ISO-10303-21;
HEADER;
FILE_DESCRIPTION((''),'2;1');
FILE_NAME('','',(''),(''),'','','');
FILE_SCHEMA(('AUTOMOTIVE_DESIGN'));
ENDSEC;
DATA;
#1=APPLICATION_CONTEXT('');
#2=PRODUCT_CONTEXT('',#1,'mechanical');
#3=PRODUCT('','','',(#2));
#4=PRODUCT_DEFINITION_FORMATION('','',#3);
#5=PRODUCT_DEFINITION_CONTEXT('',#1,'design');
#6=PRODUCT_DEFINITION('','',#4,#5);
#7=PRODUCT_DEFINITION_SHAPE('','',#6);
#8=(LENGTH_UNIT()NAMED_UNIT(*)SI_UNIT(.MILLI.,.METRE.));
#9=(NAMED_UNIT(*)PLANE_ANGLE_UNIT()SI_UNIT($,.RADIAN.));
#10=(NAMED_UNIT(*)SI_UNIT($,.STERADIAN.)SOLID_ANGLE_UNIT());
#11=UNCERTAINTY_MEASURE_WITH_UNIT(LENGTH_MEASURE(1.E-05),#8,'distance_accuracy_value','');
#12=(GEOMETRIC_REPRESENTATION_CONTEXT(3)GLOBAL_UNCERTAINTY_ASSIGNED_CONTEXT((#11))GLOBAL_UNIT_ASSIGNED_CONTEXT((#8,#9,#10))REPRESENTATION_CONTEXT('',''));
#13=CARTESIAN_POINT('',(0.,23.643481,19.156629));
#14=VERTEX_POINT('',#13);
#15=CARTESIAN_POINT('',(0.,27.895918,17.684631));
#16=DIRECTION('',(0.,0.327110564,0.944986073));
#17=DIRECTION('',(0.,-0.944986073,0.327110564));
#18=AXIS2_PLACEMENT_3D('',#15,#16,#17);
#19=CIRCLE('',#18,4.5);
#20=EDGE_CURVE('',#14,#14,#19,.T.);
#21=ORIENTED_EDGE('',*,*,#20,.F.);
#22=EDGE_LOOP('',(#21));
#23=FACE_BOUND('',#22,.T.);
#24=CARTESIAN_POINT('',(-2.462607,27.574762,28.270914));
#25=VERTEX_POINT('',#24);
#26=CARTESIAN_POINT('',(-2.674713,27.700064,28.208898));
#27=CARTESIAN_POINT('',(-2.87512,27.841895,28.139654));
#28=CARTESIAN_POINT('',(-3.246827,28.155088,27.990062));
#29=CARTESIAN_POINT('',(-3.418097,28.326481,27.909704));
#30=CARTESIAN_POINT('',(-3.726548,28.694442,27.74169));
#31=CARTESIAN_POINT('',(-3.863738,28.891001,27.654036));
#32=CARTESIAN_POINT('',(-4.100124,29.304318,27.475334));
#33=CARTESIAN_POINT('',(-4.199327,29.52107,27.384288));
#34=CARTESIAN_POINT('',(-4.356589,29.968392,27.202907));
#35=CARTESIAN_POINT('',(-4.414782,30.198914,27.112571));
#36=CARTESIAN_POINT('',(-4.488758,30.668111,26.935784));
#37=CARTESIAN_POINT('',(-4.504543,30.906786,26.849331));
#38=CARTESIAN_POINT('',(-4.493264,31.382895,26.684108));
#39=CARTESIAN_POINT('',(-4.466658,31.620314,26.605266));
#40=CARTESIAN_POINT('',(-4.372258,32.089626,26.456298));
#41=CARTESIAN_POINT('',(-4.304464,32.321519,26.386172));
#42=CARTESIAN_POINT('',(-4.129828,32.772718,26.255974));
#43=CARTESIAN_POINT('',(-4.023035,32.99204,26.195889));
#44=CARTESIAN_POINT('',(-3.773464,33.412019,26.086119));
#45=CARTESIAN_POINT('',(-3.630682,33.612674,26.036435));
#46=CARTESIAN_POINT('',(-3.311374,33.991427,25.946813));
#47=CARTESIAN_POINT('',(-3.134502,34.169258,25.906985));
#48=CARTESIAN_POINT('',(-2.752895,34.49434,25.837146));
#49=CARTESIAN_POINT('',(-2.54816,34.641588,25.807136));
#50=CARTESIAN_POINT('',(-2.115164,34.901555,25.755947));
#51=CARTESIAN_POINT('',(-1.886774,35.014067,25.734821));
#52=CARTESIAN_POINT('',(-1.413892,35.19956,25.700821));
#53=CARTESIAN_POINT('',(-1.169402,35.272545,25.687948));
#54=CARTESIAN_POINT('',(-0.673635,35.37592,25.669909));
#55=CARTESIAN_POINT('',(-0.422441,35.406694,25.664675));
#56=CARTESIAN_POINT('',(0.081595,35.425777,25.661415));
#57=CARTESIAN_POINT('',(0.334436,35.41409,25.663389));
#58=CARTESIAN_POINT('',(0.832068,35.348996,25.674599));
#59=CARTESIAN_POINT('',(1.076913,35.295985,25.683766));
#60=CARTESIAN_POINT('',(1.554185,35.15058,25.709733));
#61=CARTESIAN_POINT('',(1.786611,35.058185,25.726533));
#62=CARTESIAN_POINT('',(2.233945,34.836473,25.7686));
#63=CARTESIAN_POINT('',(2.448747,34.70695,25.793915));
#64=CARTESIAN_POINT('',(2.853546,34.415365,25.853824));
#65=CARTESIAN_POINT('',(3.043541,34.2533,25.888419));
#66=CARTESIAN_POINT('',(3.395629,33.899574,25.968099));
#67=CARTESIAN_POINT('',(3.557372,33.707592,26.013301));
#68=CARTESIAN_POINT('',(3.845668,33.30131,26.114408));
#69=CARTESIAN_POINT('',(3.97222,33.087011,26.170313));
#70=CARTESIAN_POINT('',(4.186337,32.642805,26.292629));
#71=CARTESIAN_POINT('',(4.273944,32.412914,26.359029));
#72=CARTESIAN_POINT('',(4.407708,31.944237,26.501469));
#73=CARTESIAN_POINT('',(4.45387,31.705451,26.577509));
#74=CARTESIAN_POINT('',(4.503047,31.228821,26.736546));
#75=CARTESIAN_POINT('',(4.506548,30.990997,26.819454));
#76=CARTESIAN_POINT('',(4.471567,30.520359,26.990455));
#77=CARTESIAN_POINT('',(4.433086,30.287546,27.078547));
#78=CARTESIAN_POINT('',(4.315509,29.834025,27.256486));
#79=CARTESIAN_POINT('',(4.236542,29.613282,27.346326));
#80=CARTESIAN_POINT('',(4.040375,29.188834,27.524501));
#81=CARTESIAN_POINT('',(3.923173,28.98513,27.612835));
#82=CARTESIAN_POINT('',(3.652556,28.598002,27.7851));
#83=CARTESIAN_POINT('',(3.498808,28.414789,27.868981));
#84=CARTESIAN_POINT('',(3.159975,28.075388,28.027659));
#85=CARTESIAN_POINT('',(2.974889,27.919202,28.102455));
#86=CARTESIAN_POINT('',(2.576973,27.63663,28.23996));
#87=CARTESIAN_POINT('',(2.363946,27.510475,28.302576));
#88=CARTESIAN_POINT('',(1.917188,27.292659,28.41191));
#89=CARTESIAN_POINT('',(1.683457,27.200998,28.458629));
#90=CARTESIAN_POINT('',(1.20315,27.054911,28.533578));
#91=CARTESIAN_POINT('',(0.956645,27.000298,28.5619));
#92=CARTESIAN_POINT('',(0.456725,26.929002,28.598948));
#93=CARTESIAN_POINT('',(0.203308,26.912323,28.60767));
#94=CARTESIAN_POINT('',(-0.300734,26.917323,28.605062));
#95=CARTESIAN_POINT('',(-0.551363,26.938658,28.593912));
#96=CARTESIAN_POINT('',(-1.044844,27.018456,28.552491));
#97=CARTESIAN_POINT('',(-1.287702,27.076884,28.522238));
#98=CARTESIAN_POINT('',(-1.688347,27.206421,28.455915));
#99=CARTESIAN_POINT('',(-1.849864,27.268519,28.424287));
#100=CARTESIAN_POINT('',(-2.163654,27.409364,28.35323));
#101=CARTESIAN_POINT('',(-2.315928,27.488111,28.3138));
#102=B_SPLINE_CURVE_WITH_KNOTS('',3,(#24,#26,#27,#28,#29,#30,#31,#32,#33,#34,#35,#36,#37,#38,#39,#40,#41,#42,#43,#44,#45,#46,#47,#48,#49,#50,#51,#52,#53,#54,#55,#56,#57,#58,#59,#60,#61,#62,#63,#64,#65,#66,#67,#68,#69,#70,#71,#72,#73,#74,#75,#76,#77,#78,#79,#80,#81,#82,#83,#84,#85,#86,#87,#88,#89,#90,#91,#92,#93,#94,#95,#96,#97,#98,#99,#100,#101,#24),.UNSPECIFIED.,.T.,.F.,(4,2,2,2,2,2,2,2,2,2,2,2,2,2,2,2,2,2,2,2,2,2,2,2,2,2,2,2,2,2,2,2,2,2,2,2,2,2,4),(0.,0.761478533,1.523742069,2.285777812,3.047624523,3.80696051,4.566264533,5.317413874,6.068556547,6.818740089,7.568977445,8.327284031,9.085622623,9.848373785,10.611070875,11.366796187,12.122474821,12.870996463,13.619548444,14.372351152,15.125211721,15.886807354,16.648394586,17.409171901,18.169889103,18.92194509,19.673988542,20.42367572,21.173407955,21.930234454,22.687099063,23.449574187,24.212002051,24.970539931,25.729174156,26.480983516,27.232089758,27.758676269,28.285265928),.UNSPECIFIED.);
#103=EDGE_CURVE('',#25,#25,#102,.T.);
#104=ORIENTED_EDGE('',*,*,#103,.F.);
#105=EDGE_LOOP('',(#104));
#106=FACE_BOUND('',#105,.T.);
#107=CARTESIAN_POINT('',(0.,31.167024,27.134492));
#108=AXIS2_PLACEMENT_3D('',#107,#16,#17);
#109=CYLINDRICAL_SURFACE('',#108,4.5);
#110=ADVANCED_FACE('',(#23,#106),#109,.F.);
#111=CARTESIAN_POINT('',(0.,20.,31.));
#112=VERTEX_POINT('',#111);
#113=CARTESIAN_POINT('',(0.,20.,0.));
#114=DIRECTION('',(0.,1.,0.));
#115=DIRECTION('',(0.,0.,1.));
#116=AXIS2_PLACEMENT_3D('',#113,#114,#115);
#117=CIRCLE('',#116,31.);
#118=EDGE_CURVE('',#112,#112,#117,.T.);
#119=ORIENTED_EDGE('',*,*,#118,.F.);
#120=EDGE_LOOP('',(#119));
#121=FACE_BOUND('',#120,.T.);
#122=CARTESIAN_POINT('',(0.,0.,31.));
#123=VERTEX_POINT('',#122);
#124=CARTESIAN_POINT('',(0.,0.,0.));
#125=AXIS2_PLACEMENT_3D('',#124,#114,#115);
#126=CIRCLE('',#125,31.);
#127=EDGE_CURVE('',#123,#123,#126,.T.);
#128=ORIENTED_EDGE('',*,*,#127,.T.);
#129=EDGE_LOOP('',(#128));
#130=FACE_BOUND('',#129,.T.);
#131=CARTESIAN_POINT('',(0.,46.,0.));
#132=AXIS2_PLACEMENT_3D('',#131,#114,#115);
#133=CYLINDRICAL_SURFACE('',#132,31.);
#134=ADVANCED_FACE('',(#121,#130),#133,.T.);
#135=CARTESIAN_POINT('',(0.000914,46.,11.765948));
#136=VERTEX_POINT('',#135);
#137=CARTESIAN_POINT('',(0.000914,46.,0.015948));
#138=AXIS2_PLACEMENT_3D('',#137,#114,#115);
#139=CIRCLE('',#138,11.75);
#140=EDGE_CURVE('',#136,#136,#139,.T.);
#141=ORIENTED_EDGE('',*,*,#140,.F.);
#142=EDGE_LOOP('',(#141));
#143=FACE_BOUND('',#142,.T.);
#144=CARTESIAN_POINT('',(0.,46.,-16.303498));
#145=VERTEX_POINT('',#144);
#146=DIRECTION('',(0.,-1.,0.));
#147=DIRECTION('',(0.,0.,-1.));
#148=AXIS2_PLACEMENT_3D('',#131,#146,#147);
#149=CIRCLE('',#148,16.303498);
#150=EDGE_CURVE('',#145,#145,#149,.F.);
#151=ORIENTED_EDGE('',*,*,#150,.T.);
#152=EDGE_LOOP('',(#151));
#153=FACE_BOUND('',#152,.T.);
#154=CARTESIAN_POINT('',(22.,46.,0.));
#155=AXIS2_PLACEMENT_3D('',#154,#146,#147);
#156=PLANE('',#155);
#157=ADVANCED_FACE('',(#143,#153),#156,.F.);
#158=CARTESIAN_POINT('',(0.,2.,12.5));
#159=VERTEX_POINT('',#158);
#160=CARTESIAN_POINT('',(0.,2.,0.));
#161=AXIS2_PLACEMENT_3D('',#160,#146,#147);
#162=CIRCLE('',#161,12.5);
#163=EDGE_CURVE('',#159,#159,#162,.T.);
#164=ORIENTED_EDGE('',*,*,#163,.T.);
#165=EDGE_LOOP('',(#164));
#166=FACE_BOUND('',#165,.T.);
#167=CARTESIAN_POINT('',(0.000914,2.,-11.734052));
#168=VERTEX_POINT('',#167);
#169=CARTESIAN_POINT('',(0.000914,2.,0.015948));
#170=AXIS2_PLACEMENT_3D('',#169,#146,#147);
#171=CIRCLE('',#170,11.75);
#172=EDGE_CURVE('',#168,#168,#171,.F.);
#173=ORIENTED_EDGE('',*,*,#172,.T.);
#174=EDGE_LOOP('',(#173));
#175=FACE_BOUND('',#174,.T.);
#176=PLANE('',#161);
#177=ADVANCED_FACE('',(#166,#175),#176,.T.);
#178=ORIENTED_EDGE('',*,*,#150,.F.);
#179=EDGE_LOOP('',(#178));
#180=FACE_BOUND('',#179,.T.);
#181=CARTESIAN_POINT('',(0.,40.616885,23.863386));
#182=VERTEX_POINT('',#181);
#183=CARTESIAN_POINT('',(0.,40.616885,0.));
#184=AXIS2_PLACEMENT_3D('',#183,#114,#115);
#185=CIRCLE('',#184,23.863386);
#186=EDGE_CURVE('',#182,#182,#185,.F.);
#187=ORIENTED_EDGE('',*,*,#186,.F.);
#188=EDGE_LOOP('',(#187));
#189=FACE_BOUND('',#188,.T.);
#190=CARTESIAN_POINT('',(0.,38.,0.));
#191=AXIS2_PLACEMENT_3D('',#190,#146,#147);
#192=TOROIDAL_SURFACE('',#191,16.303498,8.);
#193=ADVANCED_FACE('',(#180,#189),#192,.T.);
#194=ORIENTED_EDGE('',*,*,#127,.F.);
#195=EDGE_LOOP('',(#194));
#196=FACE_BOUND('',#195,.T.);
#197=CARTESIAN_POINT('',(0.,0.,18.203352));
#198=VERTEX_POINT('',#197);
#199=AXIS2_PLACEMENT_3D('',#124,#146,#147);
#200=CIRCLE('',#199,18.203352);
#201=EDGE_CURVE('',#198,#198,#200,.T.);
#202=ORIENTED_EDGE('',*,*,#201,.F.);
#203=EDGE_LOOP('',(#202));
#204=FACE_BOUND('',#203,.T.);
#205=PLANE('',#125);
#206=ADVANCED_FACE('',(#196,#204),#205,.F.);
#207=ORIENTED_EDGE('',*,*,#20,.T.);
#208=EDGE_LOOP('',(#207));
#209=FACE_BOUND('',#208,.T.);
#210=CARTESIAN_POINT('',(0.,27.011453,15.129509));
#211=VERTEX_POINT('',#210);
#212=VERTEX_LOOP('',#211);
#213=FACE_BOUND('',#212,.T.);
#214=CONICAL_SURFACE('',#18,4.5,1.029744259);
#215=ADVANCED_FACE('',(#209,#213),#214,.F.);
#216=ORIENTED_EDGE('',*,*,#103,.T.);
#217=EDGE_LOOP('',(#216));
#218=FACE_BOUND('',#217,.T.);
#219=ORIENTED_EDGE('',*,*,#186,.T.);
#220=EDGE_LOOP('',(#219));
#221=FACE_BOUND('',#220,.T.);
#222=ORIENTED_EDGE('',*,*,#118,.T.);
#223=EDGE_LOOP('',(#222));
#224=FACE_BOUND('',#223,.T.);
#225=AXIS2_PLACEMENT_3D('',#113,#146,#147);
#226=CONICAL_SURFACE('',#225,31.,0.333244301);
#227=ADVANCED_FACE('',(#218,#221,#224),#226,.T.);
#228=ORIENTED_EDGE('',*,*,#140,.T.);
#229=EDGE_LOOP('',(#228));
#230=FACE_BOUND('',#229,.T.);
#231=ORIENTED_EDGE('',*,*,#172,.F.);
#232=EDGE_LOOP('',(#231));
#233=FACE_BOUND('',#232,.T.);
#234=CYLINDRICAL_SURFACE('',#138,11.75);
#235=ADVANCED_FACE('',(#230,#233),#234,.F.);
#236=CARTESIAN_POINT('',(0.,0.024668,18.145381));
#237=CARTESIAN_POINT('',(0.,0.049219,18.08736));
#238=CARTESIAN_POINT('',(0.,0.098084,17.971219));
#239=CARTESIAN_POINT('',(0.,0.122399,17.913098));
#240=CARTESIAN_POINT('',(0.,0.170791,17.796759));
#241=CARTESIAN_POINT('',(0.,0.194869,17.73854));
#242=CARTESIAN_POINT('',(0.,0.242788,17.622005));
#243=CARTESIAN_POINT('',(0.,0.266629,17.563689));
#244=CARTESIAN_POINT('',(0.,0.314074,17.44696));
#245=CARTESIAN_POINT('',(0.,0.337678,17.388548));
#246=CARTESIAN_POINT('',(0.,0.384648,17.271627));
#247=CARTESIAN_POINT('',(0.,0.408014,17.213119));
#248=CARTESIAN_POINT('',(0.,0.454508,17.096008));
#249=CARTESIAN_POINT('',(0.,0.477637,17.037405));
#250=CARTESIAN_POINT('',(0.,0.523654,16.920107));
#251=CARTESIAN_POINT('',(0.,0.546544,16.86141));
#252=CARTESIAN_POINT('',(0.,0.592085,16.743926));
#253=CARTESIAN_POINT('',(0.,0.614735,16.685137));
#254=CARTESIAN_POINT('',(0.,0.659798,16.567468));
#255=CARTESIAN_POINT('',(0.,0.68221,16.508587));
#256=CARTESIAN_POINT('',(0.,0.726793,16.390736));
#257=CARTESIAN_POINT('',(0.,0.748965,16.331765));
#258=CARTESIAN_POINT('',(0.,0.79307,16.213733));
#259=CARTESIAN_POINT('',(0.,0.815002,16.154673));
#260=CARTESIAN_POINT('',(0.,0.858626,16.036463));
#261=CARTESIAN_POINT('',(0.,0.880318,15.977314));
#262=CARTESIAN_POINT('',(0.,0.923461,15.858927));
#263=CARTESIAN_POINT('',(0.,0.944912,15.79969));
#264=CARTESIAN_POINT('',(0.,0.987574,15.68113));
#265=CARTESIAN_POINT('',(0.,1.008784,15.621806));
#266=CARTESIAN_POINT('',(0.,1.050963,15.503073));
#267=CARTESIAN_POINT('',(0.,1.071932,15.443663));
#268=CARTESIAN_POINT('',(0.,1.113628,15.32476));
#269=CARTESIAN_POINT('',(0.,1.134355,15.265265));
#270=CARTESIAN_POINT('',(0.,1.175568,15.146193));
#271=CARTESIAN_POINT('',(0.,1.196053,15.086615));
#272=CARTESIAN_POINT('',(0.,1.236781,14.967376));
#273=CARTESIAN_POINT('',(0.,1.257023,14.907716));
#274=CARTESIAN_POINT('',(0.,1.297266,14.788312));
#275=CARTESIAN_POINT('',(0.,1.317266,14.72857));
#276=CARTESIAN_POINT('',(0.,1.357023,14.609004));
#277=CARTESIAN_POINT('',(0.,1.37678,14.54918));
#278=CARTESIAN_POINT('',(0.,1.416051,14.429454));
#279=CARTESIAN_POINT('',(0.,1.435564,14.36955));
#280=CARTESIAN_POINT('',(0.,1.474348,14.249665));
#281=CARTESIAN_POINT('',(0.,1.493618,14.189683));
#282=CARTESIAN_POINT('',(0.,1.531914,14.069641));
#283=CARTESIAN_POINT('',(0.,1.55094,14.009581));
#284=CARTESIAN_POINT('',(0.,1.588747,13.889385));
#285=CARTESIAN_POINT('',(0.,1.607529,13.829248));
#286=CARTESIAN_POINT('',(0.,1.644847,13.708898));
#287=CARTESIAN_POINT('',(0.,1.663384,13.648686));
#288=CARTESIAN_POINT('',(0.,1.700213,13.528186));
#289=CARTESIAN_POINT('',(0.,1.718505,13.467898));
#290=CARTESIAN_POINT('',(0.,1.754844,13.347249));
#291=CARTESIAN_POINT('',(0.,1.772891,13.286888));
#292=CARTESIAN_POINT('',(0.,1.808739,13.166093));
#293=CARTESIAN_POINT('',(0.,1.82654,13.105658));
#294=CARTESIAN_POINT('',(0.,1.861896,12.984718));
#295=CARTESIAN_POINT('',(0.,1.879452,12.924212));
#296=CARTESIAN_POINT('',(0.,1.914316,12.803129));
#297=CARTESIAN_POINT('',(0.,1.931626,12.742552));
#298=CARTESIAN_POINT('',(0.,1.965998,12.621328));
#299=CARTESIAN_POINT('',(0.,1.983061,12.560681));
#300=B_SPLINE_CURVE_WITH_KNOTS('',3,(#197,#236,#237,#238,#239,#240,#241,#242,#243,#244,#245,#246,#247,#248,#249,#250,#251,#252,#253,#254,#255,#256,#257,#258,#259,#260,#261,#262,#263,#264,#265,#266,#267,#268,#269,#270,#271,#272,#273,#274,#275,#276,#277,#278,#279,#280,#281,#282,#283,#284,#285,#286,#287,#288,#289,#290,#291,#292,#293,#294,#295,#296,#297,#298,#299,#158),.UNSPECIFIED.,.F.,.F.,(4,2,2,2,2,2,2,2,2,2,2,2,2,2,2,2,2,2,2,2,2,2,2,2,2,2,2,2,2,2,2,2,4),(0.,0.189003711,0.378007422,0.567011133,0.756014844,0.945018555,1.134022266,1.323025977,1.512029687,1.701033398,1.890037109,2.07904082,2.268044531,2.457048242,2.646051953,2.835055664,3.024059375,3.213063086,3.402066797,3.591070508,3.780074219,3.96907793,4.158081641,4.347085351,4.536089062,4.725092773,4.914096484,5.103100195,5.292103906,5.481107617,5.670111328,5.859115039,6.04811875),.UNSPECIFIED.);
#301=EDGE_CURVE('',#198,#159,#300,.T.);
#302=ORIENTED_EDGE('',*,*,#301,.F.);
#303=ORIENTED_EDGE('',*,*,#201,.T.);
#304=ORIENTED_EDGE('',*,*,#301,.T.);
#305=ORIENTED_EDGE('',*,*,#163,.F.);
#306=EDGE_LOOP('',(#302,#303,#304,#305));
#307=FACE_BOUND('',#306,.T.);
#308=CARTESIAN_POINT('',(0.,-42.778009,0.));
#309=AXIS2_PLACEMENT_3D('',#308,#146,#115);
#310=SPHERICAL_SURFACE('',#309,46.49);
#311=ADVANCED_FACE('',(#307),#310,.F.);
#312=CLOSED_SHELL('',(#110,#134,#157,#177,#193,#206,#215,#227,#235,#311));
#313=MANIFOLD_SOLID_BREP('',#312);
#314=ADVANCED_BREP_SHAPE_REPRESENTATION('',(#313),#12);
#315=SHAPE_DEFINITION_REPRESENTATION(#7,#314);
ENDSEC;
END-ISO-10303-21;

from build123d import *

# Parameters (mm, degrees)
M25X1_5_DI_LI_DELIK1_D     = 23.5
RADYUS1_R                  = 8
M10X1_0_DI_LI_DELIK2_D     = 9
M10X1_0_DI_LI_DELIK2_DEPTH = 10
M10X1_0_DI_LI_DELIK2_TIP   = 2.703872786


with BuildPart() as part:
    # Çizim1 → Döndür1 (revolve)
    with BuildSketch(Plane.XY, mode=Mode.PRIVATE) as d_nd_r1_sk:
        Polygon((0, 46), (0, 0), (31, 0), (31, 20), (22, 46), align=None)
    revolve(d_nd_r1_sk.sketch.rotate(Axis((0, 46, 0), (0, -1, 0)), 90), axis=Axis((0, 46, 0), (0, -1, 0)))

    # M25x1.5 Dişli Delik1 (through all)
    with Locations(Plane(origin=(0.000913764, 46, 0.015948363), x_dir=(0, 0, 1), z_dir=(0, 1, 0))):
        with Locations((0, 0)):
            Hole(M25X1_5_DI_LI_DELIK1_D / 2)

    # Radyus1
    radyus1_edges = [part.edges().sort_by_distance(p)[0] for p in [
        (0, 46, -22),
    ]]
    fillet(radyus1_edges, radius=RADYUS1_R)

    # M10x1.0 Dişli Delik2
    with Locations(Plane(origin=(0, 11.722589168, 33.865257596), x_dir=(1, 0, 0), z_dir=(0, 0.32711056388316634, 0.9449860734402582))):
        with Locations((0, 20.576424516)):
            Hole(M10X1_0_DI_LI_DELIK2_D / 2, depth=M10X1_0_DI_LI_DELIK2_DEPTH)
            with Locations((0, 0, -(M10X1_0_DI_LI_DELIK2_DEPTH + M10X1_0_DI_LI_DELIK2_TIP / 2))):  # 118° drill point
                Cone(0, M10X1_0_DI_LI_DELIK2_D / 2, M10X1_0_DI_LI_DELIK2_TIP, mode=Mode.SUBTRACT)

    # Çizim14 → Kes-Döndür1 (revolve, cut)
    with BuildSketch(Plane(origin=(0, 0, 0), x_dir=(0, 0, -1), z_dir=(1, 0, 0))):
        with BuildLine():
            Line((0, 0), (-18.203352341, 0))
            ThreePointArc((-18.203352341, 0), (-15.384211427, 1.092780017), (-12.5, 2))
            Line((-12.5, 2), (0, 2))
            Line((0, 2), (0, 0))
        make_face()
    revolve(axis=Axis((0, 0, 0), (0, 1, 0)), mode=Mode.SUBTRACT)


solid = part.part
